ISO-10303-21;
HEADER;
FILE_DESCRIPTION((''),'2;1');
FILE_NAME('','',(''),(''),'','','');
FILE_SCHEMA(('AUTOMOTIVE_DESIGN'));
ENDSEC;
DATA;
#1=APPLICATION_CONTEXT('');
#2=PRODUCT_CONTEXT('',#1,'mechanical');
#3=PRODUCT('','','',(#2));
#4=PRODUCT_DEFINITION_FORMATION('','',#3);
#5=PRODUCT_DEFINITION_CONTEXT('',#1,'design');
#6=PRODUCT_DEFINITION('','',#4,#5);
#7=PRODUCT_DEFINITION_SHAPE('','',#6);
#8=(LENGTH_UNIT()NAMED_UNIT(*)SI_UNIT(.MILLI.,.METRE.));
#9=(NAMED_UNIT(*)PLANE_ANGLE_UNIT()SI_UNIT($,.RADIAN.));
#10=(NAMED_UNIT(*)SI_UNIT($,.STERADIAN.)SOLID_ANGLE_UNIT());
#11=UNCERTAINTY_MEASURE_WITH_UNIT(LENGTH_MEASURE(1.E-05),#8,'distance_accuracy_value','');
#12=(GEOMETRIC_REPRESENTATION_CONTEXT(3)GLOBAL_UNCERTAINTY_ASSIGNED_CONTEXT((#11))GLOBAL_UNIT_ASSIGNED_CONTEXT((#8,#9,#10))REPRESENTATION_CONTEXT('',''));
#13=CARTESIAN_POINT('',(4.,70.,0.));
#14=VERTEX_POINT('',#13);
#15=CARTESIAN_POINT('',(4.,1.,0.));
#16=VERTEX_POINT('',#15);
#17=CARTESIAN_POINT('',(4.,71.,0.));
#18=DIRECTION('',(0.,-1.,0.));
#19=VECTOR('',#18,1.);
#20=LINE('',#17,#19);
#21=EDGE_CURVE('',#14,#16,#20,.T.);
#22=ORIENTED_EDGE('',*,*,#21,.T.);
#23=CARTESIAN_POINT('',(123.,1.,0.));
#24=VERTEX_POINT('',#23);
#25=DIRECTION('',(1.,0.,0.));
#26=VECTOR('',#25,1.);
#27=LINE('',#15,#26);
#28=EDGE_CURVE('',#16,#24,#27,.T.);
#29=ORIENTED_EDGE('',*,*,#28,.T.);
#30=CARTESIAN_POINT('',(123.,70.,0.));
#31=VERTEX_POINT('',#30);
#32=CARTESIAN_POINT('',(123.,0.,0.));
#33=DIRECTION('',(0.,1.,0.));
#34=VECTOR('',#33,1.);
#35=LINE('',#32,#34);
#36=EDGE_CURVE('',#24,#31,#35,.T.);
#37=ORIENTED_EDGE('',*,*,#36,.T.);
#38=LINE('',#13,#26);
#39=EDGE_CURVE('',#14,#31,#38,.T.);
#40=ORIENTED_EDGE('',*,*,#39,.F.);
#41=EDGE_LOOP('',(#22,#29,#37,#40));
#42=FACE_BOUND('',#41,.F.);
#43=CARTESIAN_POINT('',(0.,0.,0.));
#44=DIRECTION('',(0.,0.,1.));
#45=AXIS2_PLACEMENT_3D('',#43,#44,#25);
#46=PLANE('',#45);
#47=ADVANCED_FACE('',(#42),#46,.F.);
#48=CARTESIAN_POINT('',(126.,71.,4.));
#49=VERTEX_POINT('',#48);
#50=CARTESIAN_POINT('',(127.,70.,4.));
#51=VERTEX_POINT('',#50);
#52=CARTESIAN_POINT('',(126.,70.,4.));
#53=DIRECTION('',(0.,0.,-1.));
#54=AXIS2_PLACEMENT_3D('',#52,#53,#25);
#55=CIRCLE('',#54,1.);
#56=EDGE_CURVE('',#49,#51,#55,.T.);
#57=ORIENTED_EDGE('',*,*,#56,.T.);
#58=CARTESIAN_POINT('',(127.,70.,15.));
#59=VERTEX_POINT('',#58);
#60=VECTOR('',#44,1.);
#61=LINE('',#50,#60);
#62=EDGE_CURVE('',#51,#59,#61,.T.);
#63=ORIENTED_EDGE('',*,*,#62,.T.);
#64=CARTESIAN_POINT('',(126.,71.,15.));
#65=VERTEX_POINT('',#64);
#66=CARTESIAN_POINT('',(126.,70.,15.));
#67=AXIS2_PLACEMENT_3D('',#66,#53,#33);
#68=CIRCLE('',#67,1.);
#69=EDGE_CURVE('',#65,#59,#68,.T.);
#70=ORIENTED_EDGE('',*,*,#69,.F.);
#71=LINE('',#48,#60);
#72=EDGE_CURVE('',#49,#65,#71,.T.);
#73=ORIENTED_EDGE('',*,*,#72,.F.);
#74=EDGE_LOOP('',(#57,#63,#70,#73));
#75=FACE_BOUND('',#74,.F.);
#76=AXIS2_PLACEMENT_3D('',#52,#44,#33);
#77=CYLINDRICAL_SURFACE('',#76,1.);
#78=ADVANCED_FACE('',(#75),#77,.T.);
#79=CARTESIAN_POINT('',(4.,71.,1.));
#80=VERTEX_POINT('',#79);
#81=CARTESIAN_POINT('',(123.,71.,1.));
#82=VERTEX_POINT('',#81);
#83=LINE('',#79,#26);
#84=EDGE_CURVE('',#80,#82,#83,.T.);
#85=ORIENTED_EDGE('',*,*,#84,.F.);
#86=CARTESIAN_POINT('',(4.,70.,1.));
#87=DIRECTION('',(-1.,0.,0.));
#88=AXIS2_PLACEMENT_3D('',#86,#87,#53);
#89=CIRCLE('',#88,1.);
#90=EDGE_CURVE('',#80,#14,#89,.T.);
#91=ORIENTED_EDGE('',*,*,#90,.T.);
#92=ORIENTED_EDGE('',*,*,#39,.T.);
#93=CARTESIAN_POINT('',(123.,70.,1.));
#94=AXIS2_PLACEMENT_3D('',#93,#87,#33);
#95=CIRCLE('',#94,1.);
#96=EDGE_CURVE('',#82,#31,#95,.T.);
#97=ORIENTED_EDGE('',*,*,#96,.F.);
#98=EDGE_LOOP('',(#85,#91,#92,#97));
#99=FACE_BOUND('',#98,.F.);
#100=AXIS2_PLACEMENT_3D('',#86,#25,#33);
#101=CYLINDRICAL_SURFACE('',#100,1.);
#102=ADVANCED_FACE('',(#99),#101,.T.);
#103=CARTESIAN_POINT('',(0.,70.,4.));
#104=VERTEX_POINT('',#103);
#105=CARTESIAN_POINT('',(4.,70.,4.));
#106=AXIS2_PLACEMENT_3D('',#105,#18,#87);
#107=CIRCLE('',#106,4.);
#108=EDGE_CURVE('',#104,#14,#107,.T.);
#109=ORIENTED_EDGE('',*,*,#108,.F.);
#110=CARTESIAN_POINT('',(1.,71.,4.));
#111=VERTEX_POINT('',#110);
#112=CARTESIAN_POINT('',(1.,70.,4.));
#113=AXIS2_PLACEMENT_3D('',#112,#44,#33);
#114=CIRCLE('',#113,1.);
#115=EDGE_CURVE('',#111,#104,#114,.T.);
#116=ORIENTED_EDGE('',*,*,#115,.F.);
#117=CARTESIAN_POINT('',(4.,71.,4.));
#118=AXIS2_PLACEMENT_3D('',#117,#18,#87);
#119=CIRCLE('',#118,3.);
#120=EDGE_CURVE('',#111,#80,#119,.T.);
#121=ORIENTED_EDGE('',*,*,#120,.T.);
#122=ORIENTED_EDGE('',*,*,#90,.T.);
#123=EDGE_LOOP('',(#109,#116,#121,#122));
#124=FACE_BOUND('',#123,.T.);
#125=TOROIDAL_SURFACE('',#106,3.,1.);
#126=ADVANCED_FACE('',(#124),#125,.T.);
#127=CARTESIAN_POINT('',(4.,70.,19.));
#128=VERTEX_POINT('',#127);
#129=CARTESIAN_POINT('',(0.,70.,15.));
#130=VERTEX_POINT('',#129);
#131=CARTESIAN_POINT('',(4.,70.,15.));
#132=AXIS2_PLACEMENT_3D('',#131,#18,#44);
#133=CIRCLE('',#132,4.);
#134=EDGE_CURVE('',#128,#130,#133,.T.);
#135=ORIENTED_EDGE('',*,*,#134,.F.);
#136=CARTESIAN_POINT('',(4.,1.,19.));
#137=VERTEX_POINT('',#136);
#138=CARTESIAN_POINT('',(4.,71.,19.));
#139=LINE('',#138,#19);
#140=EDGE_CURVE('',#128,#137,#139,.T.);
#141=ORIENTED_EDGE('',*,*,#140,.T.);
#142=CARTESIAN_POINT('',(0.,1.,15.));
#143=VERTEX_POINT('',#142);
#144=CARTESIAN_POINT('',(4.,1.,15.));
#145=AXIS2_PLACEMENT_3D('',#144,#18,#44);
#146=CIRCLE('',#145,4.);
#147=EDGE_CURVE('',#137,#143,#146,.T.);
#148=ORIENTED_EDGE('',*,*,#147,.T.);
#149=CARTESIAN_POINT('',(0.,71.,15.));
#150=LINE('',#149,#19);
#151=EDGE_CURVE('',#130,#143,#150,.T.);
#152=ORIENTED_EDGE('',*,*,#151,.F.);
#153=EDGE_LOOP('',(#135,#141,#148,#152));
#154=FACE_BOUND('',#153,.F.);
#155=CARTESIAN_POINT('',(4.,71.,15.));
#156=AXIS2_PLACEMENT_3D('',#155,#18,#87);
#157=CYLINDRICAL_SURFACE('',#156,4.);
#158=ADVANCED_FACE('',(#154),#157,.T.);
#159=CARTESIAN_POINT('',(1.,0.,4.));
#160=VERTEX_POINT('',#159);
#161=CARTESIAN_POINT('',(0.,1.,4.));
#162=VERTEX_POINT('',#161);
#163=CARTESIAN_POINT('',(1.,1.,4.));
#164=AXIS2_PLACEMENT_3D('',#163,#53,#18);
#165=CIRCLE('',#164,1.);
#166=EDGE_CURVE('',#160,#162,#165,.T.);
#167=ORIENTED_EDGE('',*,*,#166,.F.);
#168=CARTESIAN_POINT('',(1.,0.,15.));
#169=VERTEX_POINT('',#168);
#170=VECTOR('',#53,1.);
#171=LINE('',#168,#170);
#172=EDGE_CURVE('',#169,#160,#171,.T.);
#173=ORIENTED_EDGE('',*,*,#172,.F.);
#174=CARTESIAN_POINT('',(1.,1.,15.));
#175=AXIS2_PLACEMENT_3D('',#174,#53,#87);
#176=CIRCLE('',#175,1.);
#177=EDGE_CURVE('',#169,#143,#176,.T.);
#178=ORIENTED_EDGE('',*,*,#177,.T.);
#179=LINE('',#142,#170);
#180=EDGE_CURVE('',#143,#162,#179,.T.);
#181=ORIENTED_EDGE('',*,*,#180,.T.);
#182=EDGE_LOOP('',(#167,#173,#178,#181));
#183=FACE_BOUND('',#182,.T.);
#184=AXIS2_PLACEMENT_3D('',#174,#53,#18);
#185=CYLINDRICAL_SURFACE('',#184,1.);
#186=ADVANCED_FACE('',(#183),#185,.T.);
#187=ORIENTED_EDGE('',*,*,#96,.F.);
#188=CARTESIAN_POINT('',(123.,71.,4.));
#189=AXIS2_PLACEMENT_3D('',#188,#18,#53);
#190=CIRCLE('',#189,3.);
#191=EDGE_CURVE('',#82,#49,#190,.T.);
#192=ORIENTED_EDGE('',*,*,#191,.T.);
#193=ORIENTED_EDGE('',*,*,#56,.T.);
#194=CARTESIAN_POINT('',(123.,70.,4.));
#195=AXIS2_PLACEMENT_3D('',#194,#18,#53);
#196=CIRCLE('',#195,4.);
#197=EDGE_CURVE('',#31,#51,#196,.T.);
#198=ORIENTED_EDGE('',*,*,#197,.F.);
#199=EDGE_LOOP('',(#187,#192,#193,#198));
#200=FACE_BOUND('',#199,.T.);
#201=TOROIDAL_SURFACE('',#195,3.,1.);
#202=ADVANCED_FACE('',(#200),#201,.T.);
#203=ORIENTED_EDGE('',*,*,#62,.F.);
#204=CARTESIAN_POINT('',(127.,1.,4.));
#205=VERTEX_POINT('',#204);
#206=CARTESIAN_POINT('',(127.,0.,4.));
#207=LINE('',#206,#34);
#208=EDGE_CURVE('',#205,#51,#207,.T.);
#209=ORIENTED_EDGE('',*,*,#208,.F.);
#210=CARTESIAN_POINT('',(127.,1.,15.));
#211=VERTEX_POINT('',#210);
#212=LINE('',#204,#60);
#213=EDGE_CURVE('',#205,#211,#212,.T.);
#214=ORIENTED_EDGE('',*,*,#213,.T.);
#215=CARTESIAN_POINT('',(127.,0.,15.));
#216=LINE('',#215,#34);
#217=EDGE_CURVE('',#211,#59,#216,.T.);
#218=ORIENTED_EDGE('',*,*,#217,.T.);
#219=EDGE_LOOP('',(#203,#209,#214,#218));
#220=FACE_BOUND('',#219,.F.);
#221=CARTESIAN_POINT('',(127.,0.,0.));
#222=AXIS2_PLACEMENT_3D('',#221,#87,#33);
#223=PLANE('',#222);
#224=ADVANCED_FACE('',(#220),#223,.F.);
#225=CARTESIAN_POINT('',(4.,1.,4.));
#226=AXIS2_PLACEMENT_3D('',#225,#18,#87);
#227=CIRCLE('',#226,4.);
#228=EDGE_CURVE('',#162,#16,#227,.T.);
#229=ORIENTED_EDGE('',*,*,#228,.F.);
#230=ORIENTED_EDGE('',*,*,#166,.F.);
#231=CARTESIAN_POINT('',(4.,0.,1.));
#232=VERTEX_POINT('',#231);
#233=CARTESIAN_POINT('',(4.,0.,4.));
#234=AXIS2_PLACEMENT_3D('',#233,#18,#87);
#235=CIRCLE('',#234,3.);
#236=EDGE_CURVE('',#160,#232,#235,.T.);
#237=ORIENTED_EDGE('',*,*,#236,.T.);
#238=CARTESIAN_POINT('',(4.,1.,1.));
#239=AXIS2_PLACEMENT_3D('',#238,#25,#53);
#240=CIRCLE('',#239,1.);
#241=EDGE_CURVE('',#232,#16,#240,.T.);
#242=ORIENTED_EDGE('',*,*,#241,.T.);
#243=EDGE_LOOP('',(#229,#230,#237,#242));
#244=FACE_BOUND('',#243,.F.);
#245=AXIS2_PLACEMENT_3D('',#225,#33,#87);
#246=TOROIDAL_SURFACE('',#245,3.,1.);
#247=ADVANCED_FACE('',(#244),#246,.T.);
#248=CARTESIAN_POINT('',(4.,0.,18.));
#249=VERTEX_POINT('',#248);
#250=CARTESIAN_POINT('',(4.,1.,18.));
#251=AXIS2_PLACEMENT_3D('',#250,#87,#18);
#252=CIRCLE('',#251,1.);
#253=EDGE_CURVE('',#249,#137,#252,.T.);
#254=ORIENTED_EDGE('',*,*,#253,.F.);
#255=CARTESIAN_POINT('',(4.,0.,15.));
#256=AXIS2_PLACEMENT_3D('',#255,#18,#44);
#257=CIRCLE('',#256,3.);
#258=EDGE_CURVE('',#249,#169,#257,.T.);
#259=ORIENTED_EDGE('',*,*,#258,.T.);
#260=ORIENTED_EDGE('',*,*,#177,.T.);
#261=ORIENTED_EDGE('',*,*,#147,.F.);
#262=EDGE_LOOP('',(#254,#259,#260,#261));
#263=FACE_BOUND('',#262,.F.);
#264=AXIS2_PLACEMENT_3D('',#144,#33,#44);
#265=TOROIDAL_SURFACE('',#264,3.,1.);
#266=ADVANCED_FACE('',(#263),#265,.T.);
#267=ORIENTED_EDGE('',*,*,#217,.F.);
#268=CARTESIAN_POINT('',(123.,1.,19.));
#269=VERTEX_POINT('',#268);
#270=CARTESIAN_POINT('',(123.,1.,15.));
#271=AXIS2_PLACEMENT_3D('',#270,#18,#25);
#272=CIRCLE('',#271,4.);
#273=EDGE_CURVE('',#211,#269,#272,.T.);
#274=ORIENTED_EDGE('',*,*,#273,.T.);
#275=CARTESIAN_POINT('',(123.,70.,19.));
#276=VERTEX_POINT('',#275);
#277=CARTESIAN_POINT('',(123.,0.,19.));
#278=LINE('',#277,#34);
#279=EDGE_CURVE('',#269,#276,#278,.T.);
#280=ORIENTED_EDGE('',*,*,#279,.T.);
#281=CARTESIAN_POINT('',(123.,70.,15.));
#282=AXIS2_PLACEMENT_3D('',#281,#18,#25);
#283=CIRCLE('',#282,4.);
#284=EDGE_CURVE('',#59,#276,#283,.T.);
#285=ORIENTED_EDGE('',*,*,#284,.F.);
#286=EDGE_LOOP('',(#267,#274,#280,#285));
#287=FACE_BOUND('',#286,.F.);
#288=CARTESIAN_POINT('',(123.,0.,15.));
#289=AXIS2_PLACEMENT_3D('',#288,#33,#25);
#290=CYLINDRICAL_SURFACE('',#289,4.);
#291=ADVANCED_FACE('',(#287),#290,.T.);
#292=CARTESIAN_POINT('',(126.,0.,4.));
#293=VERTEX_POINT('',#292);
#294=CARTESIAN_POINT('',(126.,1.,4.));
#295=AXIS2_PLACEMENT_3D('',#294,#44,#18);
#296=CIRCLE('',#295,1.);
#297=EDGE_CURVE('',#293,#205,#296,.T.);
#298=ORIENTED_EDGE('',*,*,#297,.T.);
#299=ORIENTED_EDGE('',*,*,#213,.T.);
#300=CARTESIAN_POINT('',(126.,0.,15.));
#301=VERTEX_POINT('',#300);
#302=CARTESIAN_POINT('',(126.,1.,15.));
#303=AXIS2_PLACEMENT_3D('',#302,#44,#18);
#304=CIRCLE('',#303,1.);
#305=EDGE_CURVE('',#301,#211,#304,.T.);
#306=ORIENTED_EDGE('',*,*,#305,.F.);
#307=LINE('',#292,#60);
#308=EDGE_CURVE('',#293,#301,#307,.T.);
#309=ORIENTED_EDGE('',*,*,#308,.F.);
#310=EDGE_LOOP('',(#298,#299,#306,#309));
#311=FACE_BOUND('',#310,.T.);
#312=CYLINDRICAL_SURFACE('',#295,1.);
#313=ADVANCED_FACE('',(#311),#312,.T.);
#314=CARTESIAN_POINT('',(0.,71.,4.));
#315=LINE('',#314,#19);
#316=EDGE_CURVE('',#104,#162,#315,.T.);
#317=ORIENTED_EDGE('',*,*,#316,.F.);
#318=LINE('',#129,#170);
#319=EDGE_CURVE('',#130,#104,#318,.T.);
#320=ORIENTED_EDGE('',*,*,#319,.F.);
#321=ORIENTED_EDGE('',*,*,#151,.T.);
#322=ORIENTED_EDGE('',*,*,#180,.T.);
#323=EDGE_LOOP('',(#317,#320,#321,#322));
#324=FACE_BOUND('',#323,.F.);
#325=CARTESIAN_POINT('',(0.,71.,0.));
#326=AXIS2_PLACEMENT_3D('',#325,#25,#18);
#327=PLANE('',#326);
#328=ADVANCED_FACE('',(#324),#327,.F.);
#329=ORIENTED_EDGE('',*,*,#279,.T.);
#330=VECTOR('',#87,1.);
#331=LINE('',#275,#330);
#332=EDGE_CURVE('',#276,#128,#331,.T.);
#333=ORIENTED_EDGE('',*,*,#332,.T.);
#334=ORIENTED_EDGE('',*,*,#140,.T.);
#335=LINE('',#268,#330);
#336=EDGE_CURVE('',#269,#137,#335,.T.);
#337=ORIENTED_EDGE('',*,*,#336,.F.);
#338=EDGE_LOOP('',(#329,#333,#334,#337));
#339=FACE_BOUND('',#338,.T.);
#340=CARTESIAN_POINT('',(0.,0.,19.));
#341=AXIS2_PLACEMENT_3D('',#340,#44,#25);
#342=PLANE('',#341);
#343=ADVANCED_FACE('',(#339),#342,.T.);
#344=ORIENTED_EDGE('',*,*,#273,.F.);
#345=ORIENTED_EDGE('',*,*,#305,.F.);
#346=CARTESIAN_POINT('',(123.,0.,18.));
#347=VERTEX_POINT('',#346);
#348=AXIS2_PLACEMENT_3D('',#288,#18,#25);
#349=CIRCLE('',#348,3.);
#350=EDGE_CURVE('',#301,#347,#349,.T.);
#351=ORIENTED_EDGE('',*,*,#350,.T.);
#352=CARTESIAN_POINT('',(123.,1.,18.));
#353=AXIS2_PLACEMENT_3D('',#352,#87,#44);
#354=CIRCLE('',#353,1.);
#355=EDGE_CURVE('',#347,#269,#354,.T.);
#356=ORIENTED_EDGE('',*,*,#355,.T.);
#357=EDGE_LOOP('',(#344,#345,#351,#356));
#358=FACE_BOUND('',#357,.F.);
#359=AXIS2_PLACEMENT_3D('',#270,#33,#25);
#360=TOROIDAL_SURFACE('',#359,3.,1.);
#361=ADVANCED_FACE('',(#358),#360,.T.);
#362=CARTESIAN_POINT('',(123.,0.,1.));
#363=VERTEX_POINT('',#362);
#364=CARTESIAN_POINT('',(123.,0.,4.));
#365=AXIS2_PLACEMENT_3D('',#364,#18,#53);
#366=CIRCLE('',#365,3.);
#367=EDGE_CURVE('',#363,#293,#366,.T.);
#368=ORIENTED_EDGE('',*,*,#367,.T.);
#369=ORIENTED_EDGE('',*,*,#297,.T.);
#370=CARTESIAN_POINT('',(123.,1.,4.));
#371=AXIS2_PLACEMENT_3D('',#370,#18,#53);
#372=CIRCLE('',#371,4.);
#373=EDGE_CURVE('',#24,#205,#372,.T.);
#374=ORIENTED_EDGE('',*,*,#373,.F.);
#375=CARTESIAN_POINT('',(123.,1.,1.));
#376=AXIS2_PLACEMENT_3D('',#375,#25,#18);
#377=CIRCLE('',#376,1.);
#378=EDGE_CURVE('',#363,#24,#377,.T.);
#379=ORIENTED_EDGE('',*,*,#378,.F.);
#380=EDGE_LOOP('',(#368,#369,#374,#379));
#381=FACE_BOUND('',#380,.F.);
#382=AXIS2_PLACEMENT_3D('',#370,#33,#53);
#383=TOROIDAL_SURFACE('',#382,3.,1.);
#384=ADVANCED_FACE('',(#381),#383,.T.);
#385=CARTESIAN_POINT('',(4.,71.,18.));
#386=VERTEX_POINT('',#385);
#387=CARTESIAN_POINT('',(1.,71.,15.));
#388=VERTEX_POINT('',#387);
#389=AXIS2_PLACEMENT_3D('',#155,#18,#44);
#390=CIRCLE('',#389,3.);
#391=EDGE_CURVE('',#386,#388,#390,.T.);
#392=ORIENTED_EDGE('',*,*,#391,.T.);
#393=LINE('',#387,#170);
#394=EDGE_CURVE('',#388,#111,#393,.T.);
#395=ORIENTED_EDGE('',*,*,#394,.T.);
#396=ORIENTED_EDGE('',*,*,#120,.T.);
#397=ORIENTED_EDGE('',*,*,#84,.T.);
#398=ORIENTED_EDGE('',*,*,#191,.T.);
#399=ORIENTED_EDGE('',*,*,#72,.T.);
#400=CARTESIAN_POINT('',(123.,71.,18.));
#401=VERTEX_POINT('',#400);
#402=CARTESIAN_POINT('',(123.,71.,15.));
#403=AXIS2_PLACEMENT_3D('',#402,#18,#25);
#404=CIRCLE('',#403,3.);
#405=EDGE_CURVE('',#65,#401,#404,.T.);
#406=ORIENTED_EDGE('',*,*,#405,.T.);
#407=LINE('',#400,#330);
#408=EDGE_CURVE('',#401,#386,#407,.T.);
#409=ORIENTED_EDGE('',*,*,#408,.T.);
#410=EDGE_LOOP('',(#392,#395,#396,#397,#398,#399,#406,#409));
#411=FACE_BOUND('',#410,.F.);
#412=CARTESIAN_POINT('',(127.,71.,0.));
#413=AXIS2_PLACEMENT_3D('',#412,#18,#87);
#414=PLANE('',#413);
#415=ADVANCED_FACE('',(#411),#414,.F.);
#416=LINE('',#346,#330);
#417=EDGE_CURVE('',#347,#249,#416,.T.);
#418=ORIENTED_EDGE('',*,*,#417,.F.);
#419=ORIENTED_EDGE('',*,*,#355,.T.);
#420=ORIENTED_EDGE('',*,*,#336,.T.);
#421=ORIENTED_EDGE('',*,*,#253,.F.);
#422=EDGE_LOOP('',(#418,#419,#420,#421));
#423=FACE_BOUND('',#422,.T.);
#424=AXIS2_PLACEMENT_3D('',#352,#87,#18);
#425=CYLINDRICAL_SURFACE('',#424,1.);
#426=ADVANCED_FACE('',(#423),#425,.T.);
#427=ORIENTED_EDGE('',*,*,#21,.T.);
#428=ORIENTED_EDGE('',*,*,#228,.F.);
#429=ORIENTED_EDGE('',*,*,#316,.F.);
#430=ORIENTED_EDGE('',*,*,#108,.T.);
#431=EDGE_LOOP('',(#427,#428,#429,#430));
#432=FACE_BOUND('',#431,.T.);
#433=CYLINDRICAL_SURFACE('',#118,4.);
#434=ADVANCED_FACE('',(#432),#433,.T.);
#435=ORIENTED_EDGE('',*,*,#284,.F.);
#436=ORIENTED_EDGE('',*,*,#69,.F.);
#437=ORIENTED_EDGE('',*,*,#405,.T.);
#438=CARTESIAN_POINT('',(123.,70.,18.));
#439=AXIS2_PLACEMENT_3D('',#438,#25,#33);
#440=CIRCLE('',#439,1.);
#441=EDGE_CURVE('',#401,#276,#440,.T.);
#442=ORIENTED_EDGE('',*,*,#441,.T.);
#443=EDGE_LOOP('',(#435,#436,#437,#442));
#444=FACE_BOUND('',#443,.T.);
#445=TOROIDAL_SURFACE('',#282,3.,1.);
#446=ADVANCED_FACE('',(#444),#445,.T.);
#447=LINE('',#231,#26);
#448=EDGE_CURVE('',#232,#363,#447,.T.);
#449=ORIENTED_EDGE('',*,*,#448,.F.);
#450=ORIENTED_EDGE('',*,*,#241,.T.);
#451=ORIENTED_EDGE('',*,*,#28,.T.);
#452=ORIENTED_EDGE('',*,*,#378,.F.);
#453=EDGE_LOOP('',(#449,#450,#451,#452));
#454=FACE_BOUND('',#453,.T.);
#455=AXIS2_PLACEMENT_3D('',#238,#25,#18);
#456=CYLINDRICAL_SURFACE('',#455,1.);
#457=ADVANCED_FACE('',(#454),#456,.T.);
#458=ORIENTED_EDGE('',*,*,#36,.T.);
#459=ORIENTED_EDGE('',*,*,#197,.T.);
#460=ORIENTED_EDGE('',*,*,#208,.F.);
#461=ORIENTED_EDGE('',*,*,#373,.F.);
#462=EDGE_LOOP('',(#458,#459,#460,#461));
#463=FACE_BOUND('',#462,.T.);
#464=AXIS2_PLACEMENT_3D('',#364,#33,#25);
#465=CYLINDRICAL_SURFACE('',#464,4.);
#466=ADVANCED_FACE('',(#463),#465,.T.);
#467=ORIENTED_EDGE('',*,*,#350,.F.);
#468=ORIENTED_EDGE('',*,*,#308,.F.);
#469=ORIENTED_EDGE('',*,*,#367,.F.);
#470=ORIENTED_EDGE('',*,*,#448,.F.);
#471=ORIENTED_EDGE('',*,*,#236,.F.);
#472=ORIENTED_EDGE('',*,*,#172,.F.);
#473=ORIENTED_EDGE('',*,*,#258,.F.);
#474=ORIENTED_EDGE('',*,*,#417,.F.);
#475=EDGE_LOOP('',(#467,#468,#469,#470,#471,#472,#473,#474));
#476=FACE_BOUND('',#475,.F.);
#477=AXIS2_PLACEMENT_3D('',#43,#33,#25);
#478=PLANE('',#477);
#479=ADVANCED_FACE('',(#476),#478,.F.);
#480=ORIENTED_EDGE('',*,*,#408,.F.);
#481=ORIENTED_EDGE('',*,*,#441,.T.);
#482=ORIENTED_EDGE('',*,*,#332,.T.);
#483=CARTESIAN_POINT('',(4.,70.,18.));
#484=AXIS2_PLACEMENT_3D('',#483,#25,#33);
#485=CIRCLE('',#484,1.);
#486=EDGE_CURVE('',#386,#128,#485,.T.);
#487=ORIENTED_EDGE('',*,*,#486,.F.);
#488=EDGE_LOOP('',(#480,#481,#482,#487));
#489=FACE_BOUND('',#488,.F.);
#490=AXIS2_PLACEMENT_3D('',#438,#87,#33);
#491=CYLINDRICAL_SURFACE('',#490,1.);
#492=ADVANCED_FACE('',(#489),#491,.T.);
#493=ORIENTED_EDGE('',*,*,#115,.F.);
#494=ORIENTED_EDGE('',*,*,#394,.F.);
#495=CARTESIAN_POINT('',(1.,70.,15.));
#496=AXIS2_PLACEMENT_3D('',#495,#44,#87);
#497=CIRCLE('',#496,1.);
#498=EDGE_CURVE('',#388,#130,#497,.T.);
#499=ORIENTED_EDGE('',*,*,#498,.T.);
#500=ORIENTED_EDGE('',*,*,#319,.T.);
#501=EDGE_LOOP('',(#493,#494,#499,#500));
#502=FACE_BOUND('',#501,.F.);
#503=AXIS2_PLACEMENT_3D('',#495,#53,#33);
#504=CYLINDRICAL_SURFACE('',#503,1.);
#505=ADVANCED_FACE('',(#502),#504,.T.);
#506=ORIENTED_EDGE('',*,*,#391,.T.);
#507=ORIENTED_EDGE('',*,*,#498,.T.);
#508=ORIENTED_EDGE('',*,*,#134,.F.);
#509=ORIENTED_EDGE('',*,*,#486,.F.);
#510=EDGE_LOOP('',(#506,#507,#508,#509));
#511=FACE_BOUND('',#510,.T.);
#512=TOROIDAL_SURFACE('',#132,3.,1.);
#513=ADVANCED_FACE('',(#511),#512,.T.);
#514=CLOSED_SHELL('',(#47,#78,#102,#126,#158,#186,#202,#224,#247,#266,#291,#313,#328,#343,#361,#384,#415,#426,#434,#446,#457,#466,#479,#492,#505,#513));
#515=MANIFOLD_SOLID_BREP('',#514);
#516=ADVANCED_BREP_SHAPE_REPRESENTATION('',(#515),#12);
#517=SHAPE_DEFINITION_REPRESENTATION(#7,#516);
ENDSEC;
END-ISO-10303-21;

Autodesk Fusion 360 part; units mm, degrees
sketch "Sketch1" plane through (0, 0, 0) normal (0, 0, 1) x (1, 0, 0)
  line L0 (0, 0) -> (127, 0)
  line L1 (127, 0) -> (127, 71)
  line L2 (127, 71) -> (0, 71)
  line L3 (0, 71) -> (0, 0)
  dimension "d1" = 127
  dimension "d2" = 71
extrude "Extrude1" add sketch "Sketch1" along normal blind 19
fillet "Fillet1" radius 4 4 edges at (127, 35.5, 19) (127, 35.5, 0) (0, 35.5, 19) (0, 35.5, 0)
fillet "Fillet2" radius 1 16 edges at (63.5, 71, 19) (1.1716, 71, 17.8284) (0, 71, 9.5) (1.1716, 71, 1.1716) (63.5, 71, 0) (125.8284, 71, 1.1716) (127, 71, 9.5) (125.8284, 71, 17.8284) (127, 0, 9.5) (125.8284, 0, 1.1716) (63.5, 0, 0) (1.1716, 0, 1.1716) (0, 0, 9.5) (1.1716, 0, 17.8284) (63.5, 0, 19) (125.8284, 0, 17.8284)
